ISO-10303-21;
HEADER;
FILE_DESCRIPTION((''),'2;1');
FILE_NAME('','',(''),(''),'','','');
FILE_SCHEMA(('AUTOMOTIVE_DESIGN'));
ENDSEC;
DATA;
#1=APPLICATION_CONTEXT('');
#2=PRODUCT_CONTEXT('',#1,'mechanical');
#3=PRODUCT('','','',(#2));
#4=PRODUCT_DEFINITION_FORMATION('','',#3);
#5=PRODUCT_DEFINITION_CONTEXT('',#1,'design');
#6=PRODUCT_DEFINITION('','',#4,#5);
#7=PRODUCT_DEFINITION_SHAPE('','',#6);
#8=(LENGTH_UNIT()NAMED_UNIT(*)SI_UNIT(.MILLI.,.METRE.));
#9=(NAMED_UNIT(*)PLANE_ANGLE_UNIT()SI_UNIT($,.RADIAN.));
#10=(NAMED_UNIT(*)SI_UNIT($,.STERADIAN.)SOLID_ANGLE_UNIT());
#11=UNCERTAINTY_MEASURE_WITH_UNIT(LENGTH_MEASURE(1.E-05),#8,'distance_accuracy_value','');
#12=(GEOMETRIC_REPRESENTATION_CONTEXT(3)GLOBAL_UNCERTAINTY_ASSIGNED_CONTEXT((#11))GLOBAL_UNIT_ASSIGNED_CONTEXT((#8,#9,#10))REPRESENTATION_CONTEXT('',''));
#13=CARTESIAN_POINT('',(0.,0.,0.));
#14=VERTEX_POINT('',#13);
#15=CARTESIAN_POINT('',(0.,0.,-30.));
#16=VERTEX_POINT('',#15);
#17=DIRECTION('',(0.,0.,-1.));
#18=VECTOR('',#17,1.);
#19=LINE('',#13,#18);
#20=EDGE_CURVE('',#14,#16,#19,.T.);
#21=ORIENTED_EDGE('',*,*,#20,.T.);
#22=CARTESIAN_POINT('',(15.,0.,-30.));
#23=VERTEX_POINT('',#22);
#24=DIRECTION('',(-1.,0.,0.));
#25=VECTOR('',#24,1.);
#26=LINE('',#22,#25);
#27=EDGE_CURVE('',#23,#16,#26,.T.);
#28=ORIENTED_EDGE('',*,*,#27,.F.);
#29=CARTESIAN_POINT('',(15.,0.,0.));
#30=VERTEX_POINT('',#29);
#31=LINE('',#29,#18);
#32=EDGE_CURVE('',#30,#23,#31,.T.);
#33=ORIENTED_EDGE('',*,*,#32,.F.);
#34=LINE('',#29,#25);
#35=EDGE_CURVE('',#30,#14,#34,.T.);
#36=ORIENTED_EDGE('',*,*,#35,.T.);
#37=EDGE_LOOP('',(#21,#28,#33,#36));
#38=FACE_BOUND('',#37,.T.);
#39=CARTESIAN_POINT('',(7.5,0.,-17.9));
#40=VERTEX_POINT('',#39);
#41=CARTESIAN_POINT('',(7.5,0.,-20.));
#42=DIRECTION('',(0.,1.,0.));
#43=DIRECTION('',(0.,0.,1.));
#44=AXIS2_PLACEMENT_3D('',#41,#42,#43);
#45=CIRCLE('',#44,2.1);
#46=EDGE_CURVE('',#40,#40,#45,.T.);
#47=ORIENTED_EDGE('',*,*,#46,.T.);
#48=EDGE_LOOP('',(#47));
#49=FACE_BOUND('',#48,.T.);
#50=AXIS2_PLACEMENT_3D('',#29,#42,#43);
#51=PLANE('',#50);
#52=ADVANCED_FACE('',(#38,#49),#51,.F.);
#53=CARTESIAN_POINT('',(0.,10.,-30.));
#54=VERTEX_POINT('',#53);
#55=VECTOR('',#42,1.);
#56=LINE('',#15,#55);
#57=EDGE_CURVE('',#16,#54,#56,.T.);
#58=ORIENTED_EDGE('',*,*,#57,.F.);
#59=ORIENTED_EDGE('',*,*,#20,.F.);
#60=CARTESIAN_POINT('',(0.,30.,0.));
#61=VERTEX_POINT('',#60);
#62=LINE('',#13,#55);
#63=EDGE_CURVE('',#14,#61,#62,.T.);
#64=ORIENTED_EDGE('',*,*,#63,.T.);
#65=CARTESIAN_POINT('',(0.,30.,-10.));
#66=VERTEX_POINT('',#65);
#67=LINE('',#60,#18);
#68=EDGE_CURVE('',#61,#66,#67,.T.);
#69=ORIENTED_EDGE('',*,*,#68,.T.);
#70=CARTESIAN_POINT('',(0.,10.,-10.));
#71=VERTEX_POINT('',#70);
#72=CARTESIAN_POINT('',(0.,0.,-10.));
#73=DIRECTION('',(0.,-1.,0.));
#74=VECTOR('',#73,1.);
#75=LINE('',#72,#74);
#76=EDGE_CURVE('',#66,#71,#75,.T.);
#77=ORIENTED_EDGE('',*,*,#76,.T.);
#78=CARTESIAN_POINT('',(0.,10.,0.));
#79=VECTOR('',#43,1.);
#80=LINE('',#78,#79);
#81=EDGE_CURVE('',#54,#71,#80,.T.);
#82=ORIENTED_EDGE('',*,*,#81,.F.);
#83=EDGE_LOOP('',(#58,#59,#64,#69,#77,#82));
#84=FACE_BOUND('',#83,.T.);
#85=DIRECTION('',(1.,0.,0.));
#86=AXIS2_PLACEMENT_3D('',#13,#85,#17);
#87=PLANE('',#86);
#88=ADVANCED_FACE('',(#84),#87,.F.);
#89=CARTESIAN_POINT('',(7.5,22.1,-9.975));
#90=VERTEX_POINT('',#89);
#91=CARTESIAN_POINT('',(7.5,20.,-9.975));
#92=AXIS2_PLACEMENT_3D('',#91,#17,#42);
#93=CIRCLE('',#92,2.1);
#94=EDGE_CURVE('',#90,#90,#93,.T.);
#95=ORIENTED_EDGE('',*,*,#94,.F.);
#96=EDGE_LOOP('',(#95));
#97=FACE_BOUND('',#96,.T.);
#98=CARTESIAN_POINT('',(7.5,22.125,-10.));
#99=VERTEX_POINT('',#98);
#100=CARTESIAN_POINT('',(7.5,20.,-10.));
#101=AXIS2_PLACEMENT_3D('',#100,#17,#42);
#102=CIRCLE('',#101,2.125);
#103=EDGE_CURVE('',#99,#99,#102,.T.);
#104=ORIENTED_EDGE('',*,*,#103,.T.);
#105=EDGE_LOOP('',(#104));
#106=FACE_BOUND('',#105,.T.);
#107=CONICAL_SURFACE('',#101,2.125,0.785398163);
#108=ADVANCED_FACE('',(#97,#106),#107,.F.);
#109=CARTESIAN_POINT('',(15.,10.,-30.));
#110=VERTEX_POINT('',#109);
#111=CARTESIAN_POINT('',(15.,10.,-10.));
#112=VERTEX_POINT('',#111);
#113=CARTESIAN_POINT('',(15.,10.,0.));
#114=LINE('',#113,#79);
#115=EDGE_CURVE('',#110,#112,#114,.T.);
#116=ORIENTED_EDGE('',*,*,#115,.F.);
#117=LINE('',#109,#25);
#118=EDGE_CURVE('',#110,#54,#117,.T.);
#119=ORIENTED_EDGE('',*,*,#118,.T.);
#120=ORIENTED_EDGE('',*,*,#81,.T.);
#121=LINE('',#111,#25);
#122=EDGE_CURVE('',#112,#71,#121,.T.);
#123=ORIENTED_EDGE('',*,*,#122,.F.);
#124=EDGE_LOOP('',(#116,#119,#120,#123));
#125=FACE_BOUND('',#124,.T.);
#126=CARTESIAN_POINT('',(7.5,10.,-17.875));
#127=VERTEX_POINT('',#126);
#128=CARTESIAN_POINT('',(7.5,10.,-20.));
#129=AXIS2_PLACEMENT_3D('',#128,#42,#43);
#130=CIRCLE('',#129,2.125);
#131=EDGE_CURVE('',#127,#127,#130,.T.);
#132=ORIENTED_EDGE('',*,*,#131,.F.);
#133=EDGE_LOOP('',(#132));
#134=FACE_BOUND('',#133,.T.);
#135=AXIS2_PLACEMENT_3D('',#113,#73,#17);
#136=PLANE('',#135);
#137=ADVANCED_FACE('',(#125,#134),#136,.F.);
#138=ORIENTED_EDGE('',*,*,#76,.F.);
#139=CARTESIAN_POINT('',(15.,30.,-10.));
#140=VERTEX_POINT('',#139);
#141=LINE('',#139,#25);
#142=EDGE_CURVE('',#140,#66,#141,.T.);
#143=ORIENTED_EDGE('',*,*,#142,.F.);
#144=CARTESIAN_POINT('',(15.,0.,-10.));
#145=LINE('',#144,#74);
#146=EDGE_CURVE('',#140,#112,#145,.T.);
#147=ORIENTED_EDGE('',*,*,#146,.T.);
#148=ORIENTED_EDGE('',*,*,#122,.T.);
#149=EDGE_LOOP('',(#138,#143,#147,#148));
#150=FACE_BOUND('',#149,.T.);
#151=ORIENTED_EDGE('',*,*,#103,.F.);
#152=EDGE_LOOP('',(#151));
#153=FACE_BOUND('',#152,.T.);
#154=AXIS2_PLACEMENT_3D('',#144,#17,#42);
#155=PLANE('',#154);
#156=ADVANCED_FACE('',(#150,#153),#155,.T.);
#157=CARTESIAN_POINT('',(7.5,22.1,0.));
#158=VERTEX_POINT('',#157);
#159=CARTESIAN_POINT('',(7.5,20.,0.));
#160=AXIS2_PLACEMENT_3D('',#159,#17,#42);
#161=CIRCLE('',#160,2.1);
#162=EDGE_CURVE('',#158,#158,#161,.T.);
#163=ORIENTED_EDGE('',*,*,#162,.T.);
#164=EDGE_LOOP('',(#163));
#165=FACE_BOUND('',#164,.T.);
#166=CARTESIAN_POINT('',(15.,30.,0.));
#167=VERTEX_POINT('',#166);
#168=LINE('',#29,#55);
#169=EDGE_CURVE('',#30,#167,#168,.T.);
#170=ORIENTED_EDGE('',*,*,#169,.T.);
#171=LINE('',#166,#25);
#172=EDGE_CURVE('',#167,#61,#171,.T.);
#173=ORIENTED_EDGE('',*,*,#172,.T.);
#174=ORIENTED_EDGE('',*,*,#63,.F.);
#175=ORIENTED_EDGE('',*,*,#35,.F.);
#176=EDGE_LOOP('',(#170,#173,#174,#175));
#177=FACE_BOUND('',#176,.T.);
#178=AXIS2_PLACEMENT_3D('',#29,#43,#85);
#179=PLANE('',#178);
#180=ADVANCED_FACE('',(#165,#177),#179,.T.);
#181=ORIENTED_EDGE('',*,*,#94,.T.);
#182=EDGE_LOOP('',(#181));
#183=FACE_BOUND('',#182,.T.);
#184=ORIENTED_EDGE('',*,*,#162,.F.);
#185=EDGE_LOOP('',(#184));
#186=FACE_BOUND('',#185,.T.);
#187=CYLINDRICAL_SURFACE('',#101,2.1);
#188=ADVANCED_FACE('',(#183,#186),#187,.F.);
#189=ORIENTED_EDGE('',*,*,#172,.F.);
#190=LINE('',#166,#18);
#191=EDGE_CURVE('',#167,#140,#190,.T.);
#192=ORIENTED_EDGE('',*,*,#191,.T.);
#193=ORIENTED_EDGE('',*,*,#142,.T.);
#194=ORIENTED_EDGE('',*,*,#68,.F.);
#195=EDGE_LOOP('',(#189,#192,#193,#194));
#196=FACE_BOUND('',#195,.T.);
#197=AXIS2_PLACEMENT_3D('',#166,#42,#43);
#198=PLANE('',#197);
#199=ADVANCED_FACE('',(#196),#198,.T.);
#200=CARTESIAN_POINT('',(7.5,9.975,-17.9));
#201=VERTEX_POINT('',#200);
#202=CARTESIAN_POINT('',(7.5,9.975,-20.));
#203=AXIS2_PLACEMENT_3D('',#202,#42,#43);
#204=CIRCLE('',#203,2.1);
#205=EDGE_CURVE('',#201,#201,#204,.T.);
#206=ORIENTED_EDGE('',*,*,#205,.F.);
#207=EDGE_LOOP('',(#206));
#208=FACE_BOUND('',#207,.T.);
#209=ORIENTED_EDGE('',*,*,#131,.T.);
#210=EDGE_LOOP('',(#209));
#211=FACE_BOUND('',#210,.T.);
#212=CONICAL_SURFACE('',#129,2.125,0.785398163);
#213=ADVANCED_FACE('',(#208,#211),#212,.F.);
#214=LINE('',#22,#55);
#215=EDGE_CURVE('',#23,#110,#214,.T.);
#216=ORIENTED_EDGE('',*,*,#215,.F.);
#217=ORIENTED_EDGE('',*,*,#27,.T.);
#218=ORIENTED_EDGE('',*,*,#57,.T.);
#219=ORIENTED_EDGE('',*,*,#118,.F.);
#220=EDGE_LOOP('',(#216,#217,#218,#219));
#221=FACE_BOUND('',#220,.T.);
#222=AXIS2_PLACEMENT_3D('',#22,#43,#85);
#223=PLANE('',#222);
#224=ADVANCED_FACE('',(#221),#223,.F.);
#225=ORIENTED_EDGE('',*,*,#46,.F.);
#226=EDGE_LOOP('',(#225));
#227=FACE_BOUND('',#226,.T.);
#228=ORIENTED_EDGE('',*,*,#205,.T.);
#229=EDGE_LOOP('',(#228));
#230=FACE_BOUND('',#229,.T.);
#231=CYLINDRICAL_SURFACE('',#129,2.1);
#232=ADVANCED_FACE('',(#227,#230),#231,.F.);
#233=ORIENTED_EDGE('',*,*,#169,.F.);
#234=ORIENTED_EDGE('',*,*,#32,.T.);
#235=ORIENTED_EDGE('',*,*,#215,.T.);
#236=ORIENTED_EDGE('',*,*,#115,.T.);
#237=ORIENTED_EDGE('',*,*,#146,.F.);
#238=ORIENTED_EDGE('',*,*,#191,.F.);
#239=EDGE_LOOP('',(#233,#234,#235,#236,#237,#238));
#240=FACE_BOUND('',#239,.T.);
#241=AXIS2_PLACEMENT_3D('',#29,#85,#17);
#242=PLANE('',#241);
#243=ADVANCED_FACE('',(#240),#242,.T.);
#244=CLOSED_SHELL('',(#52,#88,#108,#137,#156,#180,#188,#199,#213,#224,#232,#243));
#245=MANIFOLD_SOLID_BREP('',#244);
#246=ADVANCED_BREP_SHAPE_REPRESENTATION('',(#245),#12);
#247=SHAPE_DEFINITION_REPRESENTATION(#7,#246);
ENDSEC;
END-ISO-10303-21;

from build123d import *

# Parameters (mm, degrees)
BOSS_EXTRUDE2_DEPTH                   = 15
TAP_DRILL_FOR_M5X0_8_TAP3_D           = 4.2
TAP_DRILL_FOR_M5X0_8_TAP3_CSINK_D     = 4.25
TAP_DRILL_FOR_M5X0_8_TAP3_CSINK_ANGLE = 90
TAP_DRILL_FOR_M5X0_8_TAP4_D           = 4.2
TAP_DRILL_FOR_M5X0_8_TAP4_CSINK_D     = 4.25
TAP_DRILL_FOR_M5X0_8_TAP4_CSINK_ANGLE = 90


with BuildPart() as part:
    # Sketch8 → Boss-Extrude2 (new body)
    with BuildSketch(Plane(origin=(0, 0, 0), x_dir=(0, 0, -1), z_dir=(1, 0, 0))):
        Polygon((0, 30), (0, 0), (30, 0), (30, 10), (10, 10), (10, 30), align=None)
    extrude(amount=BOSS_EXTRUDE2_DEPTH)

    # Tap Drill for M5x0.8 Tap3 (through all)
    with Locations(Plane(origin=(0, 10, 0), x_dir=(1, 0, 0), z_dir=(0, 1, 0))):
        with Locations((7.5, 20)):
            CounterSinkHole(TAP_DRILL_FOR_M5X0_8_TAP3_D / 2, TAP_DRILL_FOR_M5X0_8_TAP3_CSINK_D / 2, counter_sink_angle=TAP_DRILL_FOR_M5X0_8_TAP3_CSINK_ANGLE)

    # Tap Drill for M5x0.8 Tap4 (through all)
    with Locations(Plane(origin=(0, 0, -10), x_dir=(-1, 0, 0), z_dir=(0, 0, -1))):
        with Locations((-7.5, 20)):
            CounterSinkHole(TAP_DRILL_FOR_M5X0_8_TAP4_D / 2, TAP_DRILL_FOR_M5X0_8_TAP4_CSINK_D / 2, counter_sink_angle=TAP_DRILL_FOR_M5X0_8_TAP4_CSINK_ANGLE)


solid = part.part
